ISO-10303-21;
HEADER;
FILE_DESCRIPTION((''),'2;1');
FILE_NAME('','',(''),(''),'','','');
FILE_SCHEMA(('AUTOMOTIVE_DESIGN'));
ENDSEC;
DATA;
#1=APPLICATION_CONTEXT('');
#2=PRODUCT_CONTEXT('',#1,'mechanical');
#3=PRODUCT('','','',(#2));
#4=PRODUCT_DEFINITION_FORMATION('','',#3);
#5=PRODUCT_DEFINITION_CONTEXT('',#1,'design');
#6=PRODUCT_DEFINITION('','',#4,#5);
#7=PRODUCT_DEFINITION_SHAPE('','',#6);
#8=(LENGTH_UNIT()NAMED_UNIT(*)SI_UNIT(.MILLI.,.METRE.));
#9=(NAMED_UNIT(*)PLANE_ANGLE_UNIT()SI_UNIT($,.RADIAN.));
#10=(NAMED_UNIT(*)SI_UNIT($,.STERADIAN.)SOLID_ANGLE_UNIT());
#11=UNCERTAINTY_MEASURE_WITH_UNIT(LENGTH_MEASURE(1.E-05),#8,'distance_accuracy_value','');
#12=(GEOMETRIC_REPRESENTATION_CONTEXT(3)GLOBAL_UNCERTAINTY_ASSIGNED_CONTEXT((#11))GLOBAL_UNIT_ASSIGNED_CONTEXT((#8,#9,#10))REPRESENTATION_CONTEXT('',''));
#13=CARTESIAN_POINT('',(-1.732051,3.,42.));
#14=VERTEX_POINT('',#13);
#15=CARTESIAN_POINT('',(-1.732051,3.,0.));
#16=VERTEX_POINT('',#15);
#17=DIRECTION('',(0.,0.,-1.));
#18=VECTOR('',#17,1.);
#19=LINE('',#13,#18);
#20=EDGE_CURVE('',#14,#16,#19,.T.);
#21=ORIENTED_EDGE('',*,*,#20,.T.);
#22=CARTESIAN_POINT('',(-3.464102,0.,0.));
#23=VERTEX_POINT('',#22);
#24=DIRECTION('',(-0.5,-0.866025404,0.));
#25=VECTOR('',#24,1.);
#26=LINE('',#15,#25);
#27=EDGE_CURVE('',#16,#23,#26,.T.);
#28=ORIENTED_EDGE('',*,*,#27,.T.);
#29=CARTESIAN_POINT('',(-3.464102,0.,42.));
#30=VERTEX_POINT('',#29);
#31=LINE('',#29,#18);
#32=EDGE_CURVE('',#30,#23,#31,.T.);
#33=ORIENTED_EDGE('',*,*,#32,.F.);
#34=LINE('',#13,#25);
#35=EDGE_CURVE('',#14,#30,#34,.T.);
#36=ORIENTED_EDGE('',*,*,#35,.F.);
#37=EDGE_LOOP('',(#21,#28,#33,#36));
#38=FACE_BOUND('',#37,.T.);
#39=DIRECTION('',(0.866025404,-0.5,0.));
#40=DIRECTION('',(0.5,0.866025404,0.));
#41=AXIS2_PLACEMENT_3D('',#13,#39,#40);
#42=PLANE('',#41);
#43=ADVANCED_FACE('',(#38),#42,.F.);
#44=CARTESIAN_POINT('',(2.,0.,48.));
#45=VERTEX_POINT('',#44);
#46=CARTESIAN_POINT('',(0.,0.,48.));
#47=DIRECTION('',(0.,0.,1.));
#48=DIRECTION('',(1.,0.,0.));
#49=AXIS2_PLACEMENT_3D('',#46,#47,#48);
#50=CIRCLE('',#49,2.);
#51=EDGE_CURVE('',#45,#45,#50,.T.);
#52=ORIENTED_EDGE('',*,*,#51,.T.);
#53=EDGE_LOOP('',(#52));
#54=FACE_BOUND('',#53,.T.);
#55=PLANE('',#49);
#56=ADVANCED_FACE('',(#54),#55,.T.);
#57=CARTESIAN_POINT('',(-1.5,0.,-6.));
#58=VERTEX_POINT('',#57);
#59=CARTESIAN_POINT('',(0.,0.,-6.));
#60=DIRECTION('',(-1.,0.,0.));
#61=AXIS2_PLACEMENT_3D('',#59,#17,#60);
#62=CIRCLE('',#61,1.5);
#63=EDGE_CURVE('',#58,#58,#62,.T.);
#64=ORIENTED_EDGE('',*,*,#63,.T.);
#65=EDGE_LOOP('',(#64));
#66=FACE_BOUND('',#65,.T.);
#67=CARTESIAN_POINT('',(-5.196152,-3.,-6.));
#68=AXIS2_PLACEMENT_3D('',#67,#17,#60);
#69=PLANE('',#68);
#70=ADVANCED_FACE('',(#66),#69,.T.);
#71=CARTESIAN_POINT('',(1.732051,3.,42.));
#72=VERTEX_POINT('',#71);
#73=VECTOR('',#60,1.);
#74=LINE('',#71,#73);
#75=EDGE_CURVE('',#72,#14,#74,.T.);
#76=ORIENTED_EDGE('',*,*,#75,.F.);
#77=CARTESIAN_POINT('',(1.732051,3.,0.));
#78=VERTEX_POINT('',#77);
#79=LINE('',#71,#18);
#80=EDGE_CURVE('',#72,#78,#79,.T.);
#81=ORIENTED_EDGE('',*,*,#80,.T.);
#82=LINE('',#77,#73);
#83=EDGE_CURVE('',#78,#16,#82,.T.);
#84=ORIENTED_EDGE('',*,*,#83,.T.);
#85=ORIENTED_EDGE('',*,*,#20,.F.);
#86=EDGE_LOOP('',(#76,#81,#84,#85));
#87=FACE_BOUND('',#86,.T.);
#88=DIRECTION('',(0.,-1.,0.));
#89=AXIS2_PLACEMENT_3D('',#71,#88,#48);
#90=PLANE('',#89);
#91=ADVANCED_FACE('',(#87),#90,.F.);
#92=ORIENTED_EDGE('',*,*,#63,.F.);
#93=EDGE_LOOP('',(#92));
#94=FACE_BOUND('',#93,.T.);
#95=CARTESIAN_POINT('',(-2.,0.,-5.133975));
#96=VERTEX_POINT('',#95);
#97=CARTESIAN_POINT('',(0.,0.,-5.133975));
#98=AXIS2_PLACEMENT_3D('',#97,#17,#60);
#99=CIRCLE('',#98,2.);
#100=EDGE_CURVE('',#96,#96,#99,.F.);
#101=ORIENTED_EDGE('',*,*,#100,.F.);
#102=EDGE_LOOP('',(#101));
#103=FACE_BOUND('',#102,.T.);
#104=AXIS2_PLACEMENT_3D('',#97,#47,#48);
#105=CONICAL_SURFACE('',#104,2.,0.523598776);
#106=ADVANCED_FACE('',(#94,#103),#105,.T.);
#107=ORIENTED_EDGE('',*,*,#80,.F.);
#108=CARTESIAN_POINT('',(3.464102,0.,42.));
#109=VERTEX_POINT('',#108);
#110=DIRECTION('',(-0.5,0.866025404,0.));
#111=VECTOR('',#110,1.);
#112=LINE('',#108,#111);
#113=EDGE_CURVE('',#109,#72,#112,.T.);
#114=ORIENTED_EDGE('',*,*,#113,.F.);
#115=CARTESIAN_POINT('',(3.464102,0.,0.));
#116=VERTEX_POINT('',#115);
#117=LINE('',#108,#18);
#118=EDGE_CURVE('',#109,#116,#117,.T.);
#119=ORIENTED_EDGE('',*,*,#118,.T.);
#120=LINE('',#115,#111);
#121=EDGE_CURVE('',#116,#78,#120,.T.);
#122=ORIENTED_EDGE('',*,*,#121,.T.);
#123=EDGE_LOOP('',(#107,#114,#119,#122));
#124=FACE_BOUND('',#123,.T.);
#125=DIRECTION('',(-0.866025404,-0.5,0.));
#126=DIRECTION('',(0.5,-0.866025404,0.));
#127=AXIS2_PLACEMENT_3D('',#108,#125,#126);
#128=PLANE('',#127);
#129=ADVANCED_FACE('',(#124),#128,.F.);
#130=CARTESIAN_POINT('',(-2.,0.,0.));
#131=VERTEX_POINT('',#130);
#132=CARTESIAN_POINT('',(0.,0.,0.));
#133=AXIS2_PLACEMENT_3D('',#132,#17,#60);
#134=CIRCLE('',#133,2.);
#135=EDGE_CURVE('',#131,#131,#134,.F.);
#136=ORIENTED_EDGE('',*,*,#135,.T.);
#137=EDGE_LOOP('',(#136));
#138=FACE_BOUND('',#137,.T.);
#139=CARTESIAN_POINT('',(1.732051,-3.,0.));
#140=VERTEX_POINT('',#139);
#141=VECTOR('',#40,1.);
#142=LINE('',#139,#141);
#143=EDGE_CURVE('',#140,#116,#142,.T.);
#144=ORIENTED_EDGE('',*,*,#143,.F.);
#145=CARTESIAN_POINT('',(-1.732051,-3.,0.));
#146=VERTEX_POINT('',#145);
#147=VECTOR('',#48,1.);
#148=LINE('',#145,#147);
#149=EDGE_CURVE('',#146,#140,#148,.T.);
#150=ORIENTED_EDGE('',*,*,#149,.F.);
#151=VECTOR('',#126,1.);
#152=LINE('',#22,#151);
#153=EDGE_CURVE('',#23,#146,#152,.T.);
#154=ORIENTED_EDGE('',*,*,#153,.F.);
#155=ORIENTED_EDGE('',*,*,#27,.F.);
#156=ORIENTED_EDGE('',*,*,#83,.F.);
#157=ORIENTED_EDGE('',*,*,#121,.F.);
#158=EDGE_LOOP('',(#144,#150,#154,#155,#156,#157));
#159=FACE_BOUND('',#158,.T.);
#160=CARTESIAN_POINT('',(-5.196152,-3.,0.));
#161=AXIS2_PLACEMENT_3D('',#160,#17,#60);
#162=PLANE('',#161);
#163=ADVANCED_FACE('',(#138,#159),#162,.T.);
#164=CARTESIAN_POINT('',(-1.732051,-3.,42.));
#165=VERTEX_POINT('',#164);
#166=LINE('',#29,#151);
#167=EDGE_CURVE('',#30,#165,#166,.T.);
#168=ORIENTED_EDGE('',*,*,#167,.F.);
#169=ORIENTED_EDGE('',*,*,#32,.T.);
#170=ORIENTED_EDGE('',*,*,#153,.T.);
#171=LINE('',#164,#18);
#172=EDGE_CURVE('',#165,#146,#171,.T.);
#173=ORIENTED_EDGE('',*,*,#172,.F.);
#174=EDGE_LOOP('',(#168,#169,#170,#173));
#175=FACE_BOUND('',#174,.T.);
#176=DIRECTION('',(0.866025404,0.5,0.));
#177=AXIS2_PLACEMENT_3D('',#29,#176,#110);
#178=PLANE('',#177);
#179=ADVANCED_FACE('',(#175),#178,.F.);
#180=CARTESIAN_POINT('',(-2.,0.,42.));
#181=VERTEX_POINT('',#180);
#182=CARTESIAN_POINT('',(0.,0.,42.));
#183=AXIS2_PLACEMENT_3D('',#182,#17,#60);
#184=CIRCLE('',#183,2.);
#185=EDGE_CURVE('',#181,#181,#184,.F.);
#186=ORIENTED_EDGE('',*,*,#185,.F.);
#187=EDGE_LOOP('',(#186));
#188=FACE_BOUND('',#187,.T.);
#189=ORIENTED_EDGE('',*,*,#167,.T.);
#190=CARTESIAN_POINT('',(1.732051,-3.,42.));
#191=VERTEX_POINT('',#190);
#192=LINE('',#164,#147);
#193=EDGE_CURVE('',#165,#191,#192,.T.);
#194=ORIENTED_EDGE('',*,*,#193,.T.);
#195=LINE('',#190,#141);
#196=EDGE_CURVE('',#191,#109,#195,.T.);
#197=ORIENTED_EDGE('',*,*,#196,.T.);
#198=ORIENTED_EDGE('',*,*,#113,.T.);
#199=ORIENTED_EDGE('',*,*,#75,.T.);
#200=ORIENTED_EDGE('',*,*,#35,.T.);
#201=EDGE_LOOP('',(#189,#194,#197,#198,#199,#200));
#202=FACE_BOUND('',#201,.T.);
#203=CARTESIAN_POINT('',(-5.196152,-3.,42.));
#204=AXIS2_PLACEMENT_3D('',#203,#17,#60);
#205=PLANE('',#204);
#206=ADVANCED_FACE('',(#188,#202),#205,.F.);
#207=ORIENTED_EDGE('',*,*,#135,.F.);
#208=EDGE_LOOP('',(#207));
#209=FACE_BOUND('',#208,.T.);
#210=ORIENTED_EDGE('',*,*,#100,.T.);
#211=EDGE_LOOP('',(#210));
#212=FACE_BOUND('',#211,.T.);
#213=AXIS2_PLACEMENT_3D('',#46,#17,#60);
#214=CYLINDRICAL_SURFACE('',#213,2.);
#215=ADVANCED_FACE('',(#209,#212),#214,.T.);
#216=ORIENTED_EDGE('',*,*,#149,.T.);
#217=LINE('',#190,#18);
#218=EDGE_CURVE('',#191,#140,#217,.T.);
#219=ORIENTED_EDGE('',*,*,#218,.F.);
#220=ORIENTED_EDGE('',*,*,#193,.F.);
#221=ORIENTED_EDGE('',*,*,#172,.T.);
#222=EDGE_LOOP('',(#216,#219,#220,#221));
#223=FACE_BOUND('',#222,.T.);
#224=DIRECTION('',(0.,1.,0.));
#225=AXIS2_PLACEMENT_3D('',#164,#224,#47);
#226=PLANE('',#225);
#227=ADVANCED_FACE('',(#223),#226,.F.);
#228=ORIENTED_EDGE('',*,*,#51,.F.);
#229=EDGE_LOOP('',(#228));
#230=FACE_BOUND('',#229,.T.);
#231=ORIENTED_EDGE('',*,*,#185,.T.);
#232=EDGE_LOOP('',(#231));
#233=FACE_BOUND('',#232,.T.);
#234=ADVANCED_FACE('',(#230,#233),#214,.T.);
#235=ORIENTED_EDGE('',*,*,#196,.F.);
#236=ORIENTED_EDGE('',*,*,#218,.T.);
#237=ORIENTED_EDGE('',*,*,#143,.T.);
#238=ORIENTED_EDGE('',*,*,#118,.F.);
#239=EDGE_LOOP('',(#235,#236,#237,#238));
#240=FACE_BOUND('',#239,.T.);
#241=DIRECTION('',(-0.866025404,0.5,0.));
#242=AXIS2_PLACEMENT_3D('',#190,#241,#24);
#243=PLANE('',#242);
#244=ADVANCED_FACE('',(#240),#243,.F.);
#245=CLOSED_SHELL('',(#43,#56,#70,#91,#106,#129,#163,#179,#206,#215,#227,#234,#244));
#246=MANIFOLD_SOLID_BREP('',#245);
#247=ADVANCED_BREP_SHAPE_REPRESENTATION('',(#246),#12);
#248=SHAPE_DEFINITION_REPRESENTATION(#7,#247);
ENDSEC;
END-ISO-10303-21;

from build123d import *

# Parameters (mm, degrees)
EXTRUDE_1_DEPTH      = 42
EXTRUDE_2_DEPTH      = 6
EXTRUDE_2_DEPTH_BACK = 48
SKETCH_2_R           = 2
CHAMFER_1_SIZE       = 0.5
CHAMFER_1_SIZE2      = 0.866025404


with BuildPart() as part:
    # 草图1 → 拉伸1 (new body)
    with BuildSketch(Plane.XY):
        Polygon((1.732050808, -3), (3.464101615, 0), (1.732050808, 3), (-1.732050808, 3), (-3.464101615, 0), (-1.732050808, -3), align=None)
    extrude(amount=EXTRUDE_1_DEPTH)

    # 草图2 → 拉伸2 (add, two sides: drawn at the far end of the back side and taken through both)
    with BuildSketch(Plane.XY.offset(42).offset(-EXTRUDE_2_DEPTH_BACK)):
        with Locations(Location((0, 0, 0), (0, 0, 180))):
            Circle(SKETCH_2_R)
    extrude(amount=EXTRUDE_2_DEPTH + EXTRUDE_2_DEPTH_BACK)

    # 倒角1
    chamfer_1_edges = [part.edges().sort_by_distance(p)[0] for p in [
        (2, 0, -6),
    ]]
    chamfer_1_side = [part.faces().sort_by_distance(p)[0] for p in [
        (0, 0, -6),
    ]]
    chamfer(chamfer_1_edges, length=CHAMFER_1_SIZE, length2=CHAMFER_1_SIZE2, reference=chamfer_1_side[0])


solid = part.part
